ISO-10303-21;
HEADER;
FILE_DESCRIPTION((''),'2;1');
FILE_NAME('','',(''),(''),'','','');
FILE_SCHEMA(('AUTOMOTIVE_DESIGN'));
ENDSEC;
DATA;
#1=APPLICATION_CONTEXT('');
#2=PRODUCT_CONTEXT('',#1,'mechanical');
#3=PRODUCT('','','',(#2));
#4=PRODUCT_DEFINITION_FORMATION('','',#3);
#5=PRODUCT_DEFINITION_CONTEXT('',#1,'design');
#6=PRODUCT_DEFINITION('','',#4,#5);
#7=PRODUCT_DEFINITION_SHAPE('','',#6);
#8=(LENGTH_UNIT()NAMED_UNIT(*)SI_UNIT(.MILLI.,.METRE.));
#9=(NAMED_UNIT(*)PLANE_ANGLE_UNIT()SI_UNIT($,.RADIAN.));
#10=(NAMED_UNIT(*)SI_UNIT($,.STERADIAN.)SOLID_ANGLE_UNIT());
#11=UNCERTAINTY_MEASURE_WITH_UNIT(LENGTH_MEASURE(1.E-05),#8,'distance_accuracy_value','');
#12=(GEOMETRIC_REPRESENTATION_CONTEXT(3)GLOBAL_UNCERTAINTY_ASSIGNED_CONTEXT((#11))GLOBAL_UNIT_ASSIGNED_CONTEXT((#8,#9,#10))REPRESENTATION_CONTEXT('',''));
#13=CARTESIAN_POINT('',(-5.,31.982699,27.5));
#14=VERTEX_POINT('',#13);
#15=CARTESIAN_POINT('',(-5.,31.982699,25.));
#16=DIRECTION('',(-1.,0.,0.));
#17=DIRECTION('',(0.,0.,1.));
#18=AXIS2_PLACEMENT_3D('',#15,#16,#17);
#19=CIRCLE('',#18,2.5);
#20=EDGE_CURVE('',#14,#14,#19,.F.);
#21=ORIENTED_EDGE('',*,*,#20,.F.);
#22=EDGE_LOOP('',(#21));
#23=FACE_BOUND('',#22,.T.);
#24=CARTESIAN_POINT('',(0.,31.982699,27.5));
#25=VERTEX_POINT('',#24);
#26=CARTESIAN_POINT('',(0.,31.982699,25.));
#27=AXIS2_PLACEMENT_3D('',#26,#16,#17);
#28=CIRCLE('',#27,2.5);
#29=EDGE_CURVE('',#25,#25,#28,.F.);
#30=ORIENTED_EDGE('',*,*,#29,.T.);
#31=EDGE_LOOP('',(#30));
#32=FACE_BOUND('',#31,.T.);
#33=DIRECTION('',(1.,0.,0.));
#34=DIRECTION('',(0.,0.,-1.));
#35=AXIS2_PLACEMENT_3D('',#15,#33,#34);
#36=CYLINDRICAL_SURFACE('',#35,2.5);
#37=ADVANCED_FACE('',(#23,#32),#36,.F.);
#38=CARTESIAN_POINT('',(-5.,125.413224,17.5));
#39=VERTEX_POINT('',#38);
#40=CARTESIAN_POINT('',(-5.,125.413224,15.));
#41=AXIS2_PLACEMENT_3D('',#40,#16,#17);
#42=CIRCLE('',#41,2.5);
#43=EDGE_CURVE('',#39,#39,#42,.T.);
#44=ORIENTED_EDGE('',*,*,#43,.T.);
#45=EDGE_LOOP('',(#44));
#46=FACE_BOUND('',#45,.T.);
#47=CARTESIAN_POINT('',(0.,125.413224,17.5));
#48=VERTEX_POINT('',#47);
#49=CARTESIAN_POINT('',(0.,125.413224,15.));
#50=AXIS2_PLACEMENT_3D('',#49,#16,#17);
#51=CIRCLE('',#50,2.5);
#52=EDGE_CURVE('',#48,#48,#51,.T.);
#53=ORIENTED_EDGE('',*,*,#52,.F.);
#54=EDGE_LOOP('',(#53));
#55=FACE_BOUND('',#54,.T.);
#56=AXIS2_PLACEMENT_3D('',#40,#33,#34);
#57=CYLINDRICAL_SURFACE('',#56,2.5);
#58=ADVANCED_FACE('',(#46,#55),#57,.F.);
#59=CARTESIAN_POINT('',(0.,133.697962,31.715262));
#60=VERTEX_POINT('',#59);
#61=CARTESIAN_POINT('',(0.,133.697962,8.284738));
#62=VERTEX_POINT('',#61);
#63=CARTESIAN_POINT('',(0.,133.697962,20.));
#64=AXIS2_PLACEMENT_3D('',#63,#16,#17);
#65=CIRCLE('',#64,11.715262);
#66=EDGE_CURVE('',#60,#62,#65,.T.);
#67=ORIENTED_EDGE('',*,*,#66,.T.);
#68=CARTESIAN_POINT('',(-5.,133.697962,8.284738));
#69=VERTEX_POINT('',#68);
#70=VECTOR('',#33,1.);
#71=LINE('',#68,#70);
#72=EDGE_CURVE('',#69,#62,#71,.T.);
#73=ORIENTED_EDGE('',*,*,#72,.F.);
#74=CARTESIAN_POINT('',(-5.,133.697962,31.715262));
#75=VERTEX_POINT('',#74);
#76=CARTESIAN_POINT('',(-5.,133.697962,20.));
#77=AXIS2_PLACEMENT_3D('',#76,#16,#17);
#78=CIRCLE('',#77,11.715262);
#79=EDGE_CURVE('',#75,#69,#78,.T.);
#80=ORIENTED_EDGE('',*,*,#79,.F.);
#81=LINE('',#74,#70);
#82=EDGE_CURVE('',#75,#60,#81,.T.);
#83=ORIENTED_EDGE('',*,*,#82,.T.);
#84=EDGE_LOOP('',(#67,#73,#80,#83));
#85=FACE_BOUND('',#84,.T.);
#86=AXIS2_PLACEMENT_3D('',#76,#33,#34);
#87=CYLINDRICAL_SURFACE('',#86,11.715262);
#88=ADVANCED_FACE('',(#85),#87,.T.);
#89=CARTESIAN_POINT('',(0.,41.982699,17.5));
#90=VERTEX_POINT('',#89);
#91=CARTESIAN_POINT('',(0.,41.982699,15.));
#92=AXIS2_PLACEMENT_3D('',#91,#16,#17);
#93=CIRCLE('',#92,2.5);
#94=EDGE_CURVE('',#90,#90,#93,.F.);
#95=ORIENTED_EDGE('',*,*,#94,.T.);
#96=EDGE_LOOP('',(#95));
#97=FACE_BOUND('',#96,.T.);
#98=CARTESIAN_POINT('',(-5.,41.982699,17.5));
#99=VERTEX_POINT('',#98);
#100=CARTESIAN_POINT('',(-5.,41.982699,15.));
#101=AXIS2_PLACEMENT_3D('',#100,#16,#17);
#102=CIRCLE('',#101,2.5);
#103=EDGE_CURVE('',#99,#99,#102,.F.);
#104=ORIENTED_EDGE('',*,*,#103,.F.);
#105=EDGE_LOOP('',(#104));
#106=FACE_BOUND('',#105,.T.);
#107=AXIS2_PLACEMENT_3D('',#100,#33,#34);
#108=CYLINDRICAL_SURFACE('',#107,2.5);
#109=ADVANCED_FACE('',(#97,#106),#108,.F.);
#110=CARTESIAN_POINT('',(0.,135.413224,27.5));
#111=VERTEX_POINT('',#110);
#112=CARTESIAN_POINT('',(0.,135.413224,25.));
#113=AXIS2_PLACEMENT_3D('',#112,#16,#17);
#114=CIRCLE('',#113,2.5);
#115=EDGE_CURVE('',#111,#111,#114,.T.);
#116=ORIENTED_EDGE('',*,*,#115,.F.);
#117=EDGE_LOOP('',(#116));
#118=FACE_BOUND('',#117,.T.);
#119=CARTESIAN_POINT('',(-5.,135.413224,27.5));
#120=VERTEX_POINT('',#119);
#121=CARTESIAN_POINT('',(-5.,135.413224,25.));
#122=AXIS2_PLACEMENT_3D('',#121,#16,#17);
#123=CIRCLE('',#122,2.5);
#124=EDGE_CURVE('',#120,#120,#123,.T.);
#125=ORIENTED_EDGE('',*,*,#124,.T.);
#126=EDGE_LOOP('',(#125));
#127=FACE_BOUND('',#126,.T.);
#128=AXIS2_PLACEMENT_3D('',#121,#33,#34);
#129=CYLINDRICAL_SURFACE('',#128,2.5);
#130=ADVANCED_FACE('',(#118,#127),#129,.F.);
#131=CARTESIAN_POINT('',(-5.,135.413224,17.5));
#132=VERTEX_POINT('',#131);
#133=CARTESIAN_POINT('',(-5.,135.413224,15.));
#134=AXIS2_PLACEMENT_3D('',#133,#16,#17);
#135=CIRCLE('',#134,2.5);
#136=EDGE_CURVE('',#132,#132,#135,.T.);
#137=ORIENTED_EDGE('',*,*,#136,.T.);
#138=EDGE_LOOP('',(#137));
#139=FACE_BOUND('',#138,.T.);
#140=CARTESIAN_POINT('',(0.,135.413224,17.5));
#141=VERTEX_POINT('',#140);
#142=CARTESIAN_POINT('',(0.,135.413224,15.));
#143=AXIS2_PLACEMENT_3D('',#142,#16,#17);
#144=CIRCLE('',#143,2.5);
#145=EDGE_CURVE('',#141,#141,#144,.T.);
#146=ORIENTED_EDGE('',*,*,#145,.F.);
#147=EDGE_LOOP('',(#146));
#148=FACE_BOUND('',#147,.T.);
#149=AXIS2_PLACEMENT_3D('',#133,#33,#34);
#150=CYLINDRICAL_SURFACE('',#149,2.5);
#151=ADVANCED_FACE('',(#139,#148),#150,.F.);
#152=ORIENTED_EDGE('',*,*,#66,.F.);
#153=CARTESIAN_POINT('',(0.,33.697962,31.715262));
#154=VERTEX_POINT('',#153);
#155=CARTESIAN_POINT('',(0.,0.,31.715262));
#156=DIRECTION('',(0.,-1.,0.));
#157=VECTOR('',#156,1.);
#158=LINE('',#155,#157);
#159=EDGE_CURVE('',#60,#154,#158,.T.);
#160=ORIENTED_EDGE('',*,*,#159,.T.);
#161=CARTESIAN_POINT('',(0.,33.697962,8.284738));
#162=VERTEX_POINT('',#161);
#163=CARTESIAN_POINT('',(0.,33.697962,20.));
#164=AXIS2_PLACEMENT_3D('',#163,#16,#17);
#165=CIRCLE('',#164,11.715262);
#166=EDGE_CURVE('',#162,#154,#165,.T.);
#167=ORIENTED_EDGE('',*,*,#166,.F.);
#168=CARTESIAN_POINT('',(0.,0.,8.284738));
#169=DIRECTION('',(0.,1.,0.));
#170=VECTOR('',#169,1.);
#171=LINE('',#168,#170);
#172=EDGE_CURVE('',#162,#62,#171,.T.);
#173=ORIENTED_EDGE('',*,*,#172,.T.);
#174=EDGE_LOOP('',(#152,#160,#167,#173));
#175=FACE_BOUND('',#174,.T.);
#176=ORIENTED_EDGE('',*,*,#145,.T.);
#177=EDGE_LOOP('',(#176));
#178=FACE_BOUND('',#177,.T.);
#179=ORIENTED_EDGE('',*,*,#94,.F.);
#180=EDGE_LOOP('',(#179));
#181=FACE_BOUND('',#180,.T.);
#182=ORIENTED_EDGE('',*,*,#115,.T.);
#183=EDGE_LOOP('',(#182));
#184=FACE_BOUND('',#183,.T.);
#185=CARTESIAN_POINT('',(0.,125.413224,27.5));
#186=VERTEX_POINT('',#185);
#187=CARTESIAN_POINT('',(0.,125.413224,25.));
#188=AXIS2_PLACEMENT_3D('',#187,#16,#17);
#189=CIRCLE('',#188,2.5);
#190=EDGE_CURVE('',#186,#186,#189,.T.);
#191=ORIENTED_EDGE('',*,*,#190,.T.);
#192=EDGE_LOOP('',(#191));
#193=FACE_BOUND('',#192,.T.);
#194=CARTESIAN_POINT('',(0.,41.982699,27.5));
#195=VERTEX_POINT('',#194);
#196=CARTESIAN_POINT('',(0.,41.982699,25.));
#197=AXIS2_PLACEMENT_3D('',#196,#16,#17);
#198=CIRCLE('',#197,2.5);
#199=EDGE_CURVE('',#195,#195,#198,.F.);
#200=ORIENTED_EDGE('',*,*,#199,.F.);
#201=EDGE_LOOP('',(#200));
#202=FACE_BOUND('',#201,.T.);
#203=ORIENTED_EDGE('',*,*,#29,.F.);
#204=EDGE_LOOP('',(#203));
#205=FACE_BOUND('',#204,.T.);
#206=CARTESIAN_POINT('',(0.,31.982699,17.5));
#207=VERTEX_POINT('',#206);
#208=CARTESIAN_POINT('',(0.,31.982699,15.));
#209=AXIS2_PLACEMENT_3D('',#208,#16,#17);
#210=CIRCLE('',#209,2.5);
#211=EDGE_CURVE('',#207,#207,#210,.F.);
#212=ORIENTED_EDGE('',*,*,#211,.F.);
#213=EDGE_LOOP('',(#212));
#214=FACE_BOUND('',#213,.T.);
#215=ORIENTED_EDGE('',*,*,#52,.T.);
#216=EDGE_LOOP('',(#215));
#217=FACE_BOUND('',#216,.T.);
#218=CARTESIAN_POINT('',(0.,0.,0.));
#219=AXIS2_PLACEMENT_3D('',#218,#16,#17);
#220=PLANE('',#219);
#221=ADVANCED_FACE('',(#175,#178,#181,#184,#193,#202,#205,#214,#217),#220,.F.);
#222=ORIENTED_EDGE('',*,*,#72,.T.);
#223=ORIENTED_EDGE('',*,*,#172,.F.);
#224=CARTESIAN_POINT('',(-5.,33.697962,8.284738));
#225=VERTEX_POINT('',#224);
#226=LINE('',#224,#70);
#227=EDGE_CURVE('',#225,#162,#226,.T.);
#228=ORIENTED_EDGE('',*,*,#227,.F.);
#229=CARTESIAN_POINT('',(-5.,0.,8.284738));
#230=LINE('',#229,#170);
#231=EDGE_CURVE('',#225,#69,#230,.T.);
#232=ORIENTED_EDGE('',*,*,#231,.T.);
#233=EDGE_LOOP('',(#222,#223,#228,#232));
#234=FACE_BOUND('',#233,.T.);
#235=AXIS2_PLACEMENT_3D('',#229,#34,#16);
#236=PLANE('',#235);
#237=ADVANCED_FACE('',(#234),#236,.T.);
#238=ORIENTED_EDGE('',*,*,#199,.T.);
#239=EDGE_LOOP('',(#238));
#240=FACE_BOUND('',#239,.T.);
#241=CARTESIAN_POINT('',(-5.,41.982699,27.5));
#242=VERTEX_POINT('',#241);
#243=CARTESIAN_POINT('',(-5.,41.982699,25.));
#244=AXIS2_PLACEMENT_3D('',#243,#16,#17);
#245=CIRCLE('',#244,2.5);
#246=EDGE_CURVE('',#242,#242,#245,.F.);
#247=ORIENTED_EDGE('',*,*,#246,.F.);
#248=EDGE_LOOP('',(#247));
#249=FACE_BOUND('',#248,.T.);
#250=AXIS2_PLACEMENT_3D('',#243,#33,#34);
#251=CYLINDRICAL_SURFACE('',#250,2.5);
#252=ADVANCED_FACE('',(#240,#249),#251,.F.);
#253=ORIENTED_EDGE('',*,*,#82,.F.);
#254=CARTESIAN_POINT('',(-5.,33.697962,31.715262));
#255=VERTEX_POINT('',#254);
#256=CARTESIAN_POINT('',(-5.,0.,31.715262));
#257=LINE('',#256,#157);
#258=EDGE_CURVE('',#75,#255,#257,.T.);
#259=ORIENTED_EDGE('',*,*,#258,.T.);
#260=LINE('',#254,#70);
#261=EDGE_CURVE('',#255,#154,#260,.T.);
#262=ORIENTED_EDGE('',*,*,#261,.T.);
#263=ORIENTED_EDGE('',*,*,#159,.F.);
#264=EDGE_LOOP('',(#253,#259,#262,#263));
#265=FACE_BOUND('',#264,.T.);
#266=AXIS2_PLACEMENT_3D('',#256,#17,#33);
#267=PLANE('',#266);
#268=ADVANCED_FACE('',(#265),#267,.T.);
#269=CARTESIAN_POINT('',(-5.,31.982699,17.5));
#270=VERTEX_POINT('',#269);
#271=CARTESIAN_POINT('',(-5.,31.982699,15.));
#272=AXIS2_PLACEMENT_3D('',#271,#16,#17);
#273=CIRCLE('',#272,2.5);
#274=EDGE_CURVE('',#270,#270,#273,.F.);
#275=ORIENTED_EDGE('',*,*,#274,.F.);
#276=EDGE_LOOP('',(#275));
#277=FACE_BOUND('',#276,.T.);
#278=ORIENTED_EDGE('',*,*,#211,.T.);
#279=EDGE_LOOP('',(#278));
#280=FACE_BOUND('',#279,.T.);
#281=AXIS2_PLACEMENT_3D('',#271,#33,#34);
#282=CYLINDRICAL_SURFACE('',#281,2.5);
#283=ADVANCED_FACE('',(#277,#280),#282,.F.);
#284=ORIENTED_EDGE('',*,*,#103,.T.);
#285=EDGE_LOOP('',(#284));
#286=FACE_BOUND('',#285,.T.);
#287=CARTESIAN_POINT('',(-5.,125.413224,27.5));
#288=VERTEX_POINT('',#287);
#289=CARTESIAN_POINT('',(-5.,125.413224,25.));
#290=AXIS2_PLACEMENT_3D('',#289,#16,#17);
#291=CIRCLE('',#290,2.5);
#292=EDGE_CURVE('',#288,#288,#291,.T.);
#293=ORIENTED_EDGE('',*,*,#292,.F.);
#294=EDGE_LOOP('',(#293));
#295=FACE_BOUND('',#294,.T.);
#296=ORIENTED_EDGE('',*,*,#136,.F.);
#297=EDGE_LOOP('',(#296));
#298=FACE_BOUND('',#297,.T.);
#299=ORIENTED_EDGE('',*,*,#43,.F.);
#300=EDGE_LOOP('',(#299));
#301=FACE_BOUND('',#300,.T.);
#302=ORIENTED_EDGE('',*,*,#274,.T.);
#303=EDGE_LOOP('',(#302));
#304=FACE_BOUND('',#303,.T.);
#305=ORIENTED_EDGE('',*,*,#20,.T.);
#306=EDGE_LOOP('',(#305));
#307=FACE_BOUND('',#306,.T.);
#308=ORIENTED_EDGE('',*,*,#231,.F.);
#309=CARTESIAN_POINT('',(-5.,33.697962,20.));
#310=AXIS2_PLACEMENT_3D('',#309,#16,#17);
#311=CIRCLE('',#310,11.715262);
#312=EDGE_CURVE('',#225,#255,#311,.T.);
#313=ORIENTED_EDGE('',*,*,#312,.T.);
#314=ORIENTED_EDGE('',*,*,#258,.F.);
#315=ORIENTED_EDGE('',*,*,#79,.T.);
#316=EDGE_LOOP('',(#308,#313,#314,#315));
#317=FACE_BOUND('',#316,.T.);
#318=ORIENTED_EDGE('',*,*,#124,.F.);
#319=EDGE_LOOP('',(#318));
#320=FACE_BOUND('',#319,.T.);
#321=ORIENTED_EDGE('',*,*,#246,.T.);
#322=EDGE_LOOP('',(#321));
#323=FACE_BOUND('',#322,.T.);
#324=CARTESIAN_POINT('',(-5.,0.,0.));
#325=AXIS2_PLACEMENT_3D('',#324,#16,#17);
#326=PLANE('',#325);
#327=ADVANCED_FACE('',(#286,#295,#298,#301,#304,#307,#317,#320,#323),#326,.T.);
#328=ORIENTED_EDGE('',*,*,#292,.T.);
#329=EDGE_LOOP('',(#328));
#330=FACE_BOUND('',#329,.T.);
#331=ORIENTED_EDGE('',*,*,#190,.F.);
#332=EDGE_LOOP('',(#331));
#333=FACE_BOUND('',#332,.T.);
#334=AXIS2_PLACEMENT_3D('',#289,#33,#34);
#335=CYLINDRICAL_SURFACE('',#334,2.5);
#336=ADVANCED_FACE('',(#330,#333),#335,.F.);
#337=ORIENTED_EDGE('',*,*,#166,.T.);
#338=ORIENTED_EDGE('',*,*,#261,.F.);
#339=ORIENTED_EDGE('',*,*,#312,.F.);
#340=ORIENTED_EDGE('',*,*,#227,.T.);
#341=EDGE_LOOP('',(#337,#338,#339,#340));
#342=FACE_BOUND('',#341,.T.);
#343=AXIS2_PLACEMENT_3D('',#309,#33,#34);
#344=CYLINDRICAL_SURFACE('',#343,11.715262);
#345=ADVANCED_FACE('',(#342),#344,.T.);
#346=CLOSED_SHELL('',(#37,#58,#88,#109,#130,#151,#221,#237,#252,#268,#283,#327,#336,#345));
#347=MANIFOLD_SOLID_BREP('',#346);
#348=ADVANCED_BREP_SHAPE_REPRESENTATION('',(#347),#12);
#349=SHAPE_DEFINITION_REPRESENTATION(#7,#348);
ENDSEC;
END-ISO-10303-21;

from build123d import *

# Parameters (mm, degrees)
RESSALTO_EXTRUS_O1_DEPTH = 40
ESBO_O2_R                = 5
CORTE_EXTRUS_O1_DEPTH    = 51
ESBO_O3_R                = 2.5
RESSALTO_EXTRUS_O2_DEPTH = 5
ESBO_O4_W                = 80.158201918
ESBO_O4_H                = 76.08775654
CORTE_EXTRUS_O2_DEPTH    = 50


with BuildPart() as part:
    # Esboço1 → Ressalto-extrusão1 (new body)
    with BuildSketch(Plane.XY):
        Polygon((0, 0), (0, 50), (10, 50), (10, 10), (40, 10), (40, 50), (50, 50), (50, 0), align=None)
    extrude(amount=RESSALTO_EXTRUS_O1_DEPTH)

    # Esboço2 → Corte-extrusão1 (cut, through all)
    with BuildSketch(Plane.ZY):
        with Locations((20, 33.697961809)):
            Circle(ESBO_O2_R)
    extrude(amount=-CORTE_EXTRUS_O1_DEPTH, mode=Mode.SUBTRACT)

    # Esboço3 → Ressalto-extrusão2 (add)
    with BuildSketch(Plane.ZY):
        with BuildLine():
            Line((8.284737573, 33.697961809), (8.284737573, 133.697961809))
            ThreePointArc((8.284737573, 133.697961809), (20, 145.413224236), (31.715262427, 133.697961809))
            Line((31.715262427, 133.697961809), (31.715262427, 33.697961809))
            ThreePointArc((31.715262427, 33.697961809), (20, 21.982699383), (8.284737573, 33.697961809))
        make_face()
        with Locations((15, 135.413224236)):
            Circle(ESBO_O3_R, mode=Mode.SUBTRACT)
        with Locations((25, 135.413224236)):
            Circle(ESBO_O3_R, mode=Mode.SUBTRACT)
        with Locations((25, 125.413224236)):
            Circle(ESBO_O3_R, mode=Mode.SUBTRACT)
        with Locations((15, 125.413224236)):
            Circle(ESBO_O3_R, mode=Mode.SUBTRACT)
        with Locations((25, 31.982699383)):
            Circle(ESBO_O3_R, mode=Mode.SUBTRACT)
        with Locations((25, 41.982699383)):
            Circle(ESBO_O3_R, mode=Mode.SUBTRACT)
        with Locations((15, 41.982699383)):
            Circle(ESBO_O3_R, mode=Mode.SUBTRACT)
        with Locations((15, 31.982699383)):
            Circle(ESBO_O3_R, mode=Mode.SUBTRACT)
    extrude(amount=RESSALTO_EXTRUS_O2_DEPTH)

    # Esboço4 → Corte-extrusão2 (cut)
    with BuildSketch(Plane(origin=(50, 0, 0), x_dir=(0, 0, -1), z_dir=(1, 0, 0))):
        with Locations((-9.829245476, 29.588761993)):
            Rectangle(ESBO_O4_W, ESBO_O4_H)
    extrude(amount=-CORTE_EXTRUS_O2_DEPTH, mode=Mode.SUBTRACT)


solid = part.part
